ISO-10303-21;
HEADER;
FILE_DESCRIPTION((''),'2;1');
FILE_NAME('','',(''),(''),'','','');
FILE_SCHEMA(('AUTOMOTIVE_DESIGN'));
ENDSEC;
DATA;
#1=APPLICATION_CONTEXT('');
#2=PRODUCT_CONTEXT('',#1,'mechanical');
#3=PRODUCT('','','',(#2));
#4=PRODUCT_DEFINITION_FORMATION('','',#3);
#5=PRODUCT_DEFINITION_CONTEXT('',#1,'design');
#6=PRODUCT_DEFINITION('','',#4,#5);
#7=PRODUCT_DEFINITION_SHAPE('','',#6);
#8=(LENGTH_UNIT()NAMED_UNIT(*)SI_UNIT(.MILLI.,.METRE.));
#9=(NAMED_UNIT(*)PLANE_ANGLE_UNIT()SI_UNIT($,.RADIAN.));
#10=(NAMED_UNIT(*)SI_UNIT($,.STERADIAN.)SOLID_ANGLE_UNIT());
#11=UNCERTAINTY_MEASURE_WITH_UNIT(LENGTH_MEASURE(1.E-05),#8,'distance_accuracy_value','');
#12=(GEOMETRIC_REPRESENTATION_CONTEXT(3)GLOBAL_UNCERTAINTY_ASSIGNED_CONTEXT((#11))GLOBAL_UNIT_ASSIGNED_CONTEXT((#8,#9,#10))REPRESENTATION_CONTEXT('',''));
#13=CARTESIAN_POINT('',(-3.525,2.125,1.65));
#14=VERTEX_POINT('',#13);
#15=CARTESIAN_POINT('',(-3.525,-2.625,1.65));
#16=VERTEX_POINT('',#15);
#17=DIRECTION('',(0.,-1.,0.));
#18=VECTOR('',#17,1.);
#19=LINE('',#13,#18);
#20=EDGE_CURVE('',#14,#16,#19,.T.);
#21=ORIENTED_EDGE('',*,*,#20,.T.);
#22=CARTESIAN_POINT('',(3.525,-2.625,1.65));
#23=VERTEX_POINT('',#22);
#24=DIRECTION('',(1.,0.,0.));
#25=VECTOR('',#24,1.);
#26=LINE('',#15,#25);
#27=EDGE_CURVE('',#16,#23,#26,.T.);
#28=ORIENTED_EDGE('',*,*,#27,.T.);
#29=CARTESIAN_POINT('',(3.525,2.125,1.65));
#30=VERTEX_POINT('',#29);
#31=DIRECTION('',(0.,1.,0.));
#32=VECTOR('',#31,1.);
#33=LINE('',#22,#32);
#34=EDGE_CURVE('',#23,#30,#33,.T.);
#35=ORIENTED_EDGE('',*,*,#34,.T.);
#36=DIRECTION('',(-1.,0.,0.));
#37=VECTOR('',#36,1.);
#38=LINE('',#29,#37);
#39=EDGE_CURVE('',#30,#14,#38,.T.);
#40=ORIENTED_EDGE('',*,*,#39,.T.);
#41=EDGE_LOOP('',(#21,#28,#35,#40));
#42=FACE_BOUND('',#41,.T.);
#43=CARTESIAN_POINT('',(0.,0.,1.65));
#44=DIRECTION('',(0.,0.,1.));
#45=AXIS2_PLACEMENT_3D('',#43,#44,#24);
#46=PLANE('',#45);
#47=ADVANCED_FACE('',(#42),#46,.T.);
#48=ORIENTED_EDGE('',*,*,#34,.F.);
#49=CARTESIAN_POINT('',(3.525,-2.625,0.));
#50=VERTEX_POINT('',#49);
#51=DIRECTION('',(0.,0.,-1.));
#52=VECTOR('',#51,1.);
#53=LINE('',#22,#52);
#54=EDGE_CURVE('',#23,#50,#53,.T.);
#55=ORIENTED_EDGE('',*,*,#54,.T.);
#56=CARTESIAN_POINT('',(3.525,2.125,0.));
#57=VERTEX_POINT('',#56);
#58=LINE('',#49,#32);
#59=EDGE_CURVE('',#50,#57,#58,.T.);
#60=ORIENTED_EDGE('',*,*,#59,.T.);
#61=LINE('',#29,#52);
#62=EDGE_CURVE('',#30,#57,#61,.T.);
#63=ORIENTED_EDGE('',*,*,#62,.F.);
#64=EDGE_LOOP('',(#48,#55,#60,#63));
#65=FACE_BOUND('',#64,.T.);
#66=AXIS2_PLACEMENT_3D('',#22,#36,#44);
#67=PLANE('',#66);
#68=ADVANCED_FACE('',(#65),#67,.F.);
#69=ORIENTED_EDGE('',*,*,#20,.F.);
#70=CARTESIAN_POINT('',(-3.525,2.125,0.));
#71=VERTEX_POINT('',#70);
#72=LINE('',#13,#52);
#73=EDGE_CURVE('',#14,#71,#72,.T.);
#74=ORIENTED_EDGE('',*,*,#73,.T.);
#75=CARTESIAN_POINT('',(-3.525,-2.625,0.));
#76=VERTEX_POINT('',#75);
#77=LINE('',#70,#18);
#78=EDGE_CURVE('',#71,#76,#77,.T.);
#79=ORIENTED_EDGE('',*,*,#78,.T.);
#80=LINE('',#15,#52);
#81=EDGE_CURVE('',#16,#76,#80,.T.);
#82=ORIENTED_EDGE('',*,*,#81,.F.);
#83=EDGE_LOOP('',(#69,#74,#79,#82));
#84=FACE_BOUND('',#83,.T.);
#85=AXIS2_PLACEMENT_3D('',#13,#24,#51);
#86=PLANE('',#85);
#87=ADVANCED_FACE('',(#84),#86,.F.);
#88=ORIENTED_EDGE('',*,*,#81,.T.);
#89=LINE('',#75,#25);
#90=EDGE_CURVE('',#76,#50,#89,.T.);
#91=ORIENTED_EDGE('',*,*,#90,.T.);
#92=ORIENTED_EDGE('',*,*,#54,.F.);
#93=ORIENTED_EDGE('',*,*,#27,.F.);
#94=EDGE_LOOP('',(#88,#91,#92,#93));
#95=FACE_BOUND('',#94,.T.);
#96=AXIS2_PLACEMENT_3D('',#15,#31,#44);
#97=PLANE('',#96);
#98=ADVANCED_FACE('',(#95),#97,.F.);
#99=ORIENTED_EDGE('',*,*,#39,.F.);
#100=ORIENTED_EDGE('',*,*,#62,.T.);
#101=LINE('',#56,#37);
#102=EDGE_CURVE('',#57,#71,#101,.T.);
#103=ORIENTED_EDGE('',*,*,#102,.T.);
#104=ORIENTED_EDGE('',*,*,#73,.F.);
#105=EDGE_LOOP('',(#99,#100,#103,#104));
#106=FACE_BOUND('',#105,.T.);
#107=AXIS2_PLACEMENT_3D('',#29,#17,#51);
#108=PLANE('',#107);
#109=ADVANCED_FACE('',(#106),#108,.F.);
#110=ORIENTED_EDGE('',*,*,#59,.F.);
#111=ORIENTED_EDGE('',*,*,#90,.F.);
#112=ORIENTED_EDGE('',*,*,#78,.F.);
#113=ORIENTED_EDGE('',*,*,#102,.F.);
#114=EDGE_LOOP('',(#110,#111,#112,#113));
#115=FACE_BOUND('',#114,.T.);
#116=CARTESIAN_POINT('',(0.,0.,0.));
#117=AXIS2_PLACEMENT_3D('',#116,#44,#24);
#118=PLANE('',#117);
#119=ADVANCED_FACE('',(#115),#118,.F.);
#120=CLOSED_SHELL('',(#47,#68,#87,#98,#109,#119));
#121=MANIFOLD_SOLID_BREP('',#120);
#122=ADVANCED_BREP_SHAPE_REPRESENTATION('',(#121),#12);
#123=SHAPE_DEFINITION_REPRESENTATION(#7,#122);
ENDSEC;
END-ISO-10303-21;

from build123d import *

# Parameters (mm, degrees)
SKETCH_1_W      = 7.05
SKETCH_1_H      = 4.75
EXTRUDE_1_DEPTH = 1.65


with BuildPart() as part:
    # 草图1 → 凸台-拉伸1 (new body)
    with BuildSketch(Plane.XY):
        with Locations((0, -0.25)):
            Rectangle(SKETCH_1_W, SKETCH_1_H)
    extrude(amount=EXTRUDE_1_DEPTH)


solid = part.part
